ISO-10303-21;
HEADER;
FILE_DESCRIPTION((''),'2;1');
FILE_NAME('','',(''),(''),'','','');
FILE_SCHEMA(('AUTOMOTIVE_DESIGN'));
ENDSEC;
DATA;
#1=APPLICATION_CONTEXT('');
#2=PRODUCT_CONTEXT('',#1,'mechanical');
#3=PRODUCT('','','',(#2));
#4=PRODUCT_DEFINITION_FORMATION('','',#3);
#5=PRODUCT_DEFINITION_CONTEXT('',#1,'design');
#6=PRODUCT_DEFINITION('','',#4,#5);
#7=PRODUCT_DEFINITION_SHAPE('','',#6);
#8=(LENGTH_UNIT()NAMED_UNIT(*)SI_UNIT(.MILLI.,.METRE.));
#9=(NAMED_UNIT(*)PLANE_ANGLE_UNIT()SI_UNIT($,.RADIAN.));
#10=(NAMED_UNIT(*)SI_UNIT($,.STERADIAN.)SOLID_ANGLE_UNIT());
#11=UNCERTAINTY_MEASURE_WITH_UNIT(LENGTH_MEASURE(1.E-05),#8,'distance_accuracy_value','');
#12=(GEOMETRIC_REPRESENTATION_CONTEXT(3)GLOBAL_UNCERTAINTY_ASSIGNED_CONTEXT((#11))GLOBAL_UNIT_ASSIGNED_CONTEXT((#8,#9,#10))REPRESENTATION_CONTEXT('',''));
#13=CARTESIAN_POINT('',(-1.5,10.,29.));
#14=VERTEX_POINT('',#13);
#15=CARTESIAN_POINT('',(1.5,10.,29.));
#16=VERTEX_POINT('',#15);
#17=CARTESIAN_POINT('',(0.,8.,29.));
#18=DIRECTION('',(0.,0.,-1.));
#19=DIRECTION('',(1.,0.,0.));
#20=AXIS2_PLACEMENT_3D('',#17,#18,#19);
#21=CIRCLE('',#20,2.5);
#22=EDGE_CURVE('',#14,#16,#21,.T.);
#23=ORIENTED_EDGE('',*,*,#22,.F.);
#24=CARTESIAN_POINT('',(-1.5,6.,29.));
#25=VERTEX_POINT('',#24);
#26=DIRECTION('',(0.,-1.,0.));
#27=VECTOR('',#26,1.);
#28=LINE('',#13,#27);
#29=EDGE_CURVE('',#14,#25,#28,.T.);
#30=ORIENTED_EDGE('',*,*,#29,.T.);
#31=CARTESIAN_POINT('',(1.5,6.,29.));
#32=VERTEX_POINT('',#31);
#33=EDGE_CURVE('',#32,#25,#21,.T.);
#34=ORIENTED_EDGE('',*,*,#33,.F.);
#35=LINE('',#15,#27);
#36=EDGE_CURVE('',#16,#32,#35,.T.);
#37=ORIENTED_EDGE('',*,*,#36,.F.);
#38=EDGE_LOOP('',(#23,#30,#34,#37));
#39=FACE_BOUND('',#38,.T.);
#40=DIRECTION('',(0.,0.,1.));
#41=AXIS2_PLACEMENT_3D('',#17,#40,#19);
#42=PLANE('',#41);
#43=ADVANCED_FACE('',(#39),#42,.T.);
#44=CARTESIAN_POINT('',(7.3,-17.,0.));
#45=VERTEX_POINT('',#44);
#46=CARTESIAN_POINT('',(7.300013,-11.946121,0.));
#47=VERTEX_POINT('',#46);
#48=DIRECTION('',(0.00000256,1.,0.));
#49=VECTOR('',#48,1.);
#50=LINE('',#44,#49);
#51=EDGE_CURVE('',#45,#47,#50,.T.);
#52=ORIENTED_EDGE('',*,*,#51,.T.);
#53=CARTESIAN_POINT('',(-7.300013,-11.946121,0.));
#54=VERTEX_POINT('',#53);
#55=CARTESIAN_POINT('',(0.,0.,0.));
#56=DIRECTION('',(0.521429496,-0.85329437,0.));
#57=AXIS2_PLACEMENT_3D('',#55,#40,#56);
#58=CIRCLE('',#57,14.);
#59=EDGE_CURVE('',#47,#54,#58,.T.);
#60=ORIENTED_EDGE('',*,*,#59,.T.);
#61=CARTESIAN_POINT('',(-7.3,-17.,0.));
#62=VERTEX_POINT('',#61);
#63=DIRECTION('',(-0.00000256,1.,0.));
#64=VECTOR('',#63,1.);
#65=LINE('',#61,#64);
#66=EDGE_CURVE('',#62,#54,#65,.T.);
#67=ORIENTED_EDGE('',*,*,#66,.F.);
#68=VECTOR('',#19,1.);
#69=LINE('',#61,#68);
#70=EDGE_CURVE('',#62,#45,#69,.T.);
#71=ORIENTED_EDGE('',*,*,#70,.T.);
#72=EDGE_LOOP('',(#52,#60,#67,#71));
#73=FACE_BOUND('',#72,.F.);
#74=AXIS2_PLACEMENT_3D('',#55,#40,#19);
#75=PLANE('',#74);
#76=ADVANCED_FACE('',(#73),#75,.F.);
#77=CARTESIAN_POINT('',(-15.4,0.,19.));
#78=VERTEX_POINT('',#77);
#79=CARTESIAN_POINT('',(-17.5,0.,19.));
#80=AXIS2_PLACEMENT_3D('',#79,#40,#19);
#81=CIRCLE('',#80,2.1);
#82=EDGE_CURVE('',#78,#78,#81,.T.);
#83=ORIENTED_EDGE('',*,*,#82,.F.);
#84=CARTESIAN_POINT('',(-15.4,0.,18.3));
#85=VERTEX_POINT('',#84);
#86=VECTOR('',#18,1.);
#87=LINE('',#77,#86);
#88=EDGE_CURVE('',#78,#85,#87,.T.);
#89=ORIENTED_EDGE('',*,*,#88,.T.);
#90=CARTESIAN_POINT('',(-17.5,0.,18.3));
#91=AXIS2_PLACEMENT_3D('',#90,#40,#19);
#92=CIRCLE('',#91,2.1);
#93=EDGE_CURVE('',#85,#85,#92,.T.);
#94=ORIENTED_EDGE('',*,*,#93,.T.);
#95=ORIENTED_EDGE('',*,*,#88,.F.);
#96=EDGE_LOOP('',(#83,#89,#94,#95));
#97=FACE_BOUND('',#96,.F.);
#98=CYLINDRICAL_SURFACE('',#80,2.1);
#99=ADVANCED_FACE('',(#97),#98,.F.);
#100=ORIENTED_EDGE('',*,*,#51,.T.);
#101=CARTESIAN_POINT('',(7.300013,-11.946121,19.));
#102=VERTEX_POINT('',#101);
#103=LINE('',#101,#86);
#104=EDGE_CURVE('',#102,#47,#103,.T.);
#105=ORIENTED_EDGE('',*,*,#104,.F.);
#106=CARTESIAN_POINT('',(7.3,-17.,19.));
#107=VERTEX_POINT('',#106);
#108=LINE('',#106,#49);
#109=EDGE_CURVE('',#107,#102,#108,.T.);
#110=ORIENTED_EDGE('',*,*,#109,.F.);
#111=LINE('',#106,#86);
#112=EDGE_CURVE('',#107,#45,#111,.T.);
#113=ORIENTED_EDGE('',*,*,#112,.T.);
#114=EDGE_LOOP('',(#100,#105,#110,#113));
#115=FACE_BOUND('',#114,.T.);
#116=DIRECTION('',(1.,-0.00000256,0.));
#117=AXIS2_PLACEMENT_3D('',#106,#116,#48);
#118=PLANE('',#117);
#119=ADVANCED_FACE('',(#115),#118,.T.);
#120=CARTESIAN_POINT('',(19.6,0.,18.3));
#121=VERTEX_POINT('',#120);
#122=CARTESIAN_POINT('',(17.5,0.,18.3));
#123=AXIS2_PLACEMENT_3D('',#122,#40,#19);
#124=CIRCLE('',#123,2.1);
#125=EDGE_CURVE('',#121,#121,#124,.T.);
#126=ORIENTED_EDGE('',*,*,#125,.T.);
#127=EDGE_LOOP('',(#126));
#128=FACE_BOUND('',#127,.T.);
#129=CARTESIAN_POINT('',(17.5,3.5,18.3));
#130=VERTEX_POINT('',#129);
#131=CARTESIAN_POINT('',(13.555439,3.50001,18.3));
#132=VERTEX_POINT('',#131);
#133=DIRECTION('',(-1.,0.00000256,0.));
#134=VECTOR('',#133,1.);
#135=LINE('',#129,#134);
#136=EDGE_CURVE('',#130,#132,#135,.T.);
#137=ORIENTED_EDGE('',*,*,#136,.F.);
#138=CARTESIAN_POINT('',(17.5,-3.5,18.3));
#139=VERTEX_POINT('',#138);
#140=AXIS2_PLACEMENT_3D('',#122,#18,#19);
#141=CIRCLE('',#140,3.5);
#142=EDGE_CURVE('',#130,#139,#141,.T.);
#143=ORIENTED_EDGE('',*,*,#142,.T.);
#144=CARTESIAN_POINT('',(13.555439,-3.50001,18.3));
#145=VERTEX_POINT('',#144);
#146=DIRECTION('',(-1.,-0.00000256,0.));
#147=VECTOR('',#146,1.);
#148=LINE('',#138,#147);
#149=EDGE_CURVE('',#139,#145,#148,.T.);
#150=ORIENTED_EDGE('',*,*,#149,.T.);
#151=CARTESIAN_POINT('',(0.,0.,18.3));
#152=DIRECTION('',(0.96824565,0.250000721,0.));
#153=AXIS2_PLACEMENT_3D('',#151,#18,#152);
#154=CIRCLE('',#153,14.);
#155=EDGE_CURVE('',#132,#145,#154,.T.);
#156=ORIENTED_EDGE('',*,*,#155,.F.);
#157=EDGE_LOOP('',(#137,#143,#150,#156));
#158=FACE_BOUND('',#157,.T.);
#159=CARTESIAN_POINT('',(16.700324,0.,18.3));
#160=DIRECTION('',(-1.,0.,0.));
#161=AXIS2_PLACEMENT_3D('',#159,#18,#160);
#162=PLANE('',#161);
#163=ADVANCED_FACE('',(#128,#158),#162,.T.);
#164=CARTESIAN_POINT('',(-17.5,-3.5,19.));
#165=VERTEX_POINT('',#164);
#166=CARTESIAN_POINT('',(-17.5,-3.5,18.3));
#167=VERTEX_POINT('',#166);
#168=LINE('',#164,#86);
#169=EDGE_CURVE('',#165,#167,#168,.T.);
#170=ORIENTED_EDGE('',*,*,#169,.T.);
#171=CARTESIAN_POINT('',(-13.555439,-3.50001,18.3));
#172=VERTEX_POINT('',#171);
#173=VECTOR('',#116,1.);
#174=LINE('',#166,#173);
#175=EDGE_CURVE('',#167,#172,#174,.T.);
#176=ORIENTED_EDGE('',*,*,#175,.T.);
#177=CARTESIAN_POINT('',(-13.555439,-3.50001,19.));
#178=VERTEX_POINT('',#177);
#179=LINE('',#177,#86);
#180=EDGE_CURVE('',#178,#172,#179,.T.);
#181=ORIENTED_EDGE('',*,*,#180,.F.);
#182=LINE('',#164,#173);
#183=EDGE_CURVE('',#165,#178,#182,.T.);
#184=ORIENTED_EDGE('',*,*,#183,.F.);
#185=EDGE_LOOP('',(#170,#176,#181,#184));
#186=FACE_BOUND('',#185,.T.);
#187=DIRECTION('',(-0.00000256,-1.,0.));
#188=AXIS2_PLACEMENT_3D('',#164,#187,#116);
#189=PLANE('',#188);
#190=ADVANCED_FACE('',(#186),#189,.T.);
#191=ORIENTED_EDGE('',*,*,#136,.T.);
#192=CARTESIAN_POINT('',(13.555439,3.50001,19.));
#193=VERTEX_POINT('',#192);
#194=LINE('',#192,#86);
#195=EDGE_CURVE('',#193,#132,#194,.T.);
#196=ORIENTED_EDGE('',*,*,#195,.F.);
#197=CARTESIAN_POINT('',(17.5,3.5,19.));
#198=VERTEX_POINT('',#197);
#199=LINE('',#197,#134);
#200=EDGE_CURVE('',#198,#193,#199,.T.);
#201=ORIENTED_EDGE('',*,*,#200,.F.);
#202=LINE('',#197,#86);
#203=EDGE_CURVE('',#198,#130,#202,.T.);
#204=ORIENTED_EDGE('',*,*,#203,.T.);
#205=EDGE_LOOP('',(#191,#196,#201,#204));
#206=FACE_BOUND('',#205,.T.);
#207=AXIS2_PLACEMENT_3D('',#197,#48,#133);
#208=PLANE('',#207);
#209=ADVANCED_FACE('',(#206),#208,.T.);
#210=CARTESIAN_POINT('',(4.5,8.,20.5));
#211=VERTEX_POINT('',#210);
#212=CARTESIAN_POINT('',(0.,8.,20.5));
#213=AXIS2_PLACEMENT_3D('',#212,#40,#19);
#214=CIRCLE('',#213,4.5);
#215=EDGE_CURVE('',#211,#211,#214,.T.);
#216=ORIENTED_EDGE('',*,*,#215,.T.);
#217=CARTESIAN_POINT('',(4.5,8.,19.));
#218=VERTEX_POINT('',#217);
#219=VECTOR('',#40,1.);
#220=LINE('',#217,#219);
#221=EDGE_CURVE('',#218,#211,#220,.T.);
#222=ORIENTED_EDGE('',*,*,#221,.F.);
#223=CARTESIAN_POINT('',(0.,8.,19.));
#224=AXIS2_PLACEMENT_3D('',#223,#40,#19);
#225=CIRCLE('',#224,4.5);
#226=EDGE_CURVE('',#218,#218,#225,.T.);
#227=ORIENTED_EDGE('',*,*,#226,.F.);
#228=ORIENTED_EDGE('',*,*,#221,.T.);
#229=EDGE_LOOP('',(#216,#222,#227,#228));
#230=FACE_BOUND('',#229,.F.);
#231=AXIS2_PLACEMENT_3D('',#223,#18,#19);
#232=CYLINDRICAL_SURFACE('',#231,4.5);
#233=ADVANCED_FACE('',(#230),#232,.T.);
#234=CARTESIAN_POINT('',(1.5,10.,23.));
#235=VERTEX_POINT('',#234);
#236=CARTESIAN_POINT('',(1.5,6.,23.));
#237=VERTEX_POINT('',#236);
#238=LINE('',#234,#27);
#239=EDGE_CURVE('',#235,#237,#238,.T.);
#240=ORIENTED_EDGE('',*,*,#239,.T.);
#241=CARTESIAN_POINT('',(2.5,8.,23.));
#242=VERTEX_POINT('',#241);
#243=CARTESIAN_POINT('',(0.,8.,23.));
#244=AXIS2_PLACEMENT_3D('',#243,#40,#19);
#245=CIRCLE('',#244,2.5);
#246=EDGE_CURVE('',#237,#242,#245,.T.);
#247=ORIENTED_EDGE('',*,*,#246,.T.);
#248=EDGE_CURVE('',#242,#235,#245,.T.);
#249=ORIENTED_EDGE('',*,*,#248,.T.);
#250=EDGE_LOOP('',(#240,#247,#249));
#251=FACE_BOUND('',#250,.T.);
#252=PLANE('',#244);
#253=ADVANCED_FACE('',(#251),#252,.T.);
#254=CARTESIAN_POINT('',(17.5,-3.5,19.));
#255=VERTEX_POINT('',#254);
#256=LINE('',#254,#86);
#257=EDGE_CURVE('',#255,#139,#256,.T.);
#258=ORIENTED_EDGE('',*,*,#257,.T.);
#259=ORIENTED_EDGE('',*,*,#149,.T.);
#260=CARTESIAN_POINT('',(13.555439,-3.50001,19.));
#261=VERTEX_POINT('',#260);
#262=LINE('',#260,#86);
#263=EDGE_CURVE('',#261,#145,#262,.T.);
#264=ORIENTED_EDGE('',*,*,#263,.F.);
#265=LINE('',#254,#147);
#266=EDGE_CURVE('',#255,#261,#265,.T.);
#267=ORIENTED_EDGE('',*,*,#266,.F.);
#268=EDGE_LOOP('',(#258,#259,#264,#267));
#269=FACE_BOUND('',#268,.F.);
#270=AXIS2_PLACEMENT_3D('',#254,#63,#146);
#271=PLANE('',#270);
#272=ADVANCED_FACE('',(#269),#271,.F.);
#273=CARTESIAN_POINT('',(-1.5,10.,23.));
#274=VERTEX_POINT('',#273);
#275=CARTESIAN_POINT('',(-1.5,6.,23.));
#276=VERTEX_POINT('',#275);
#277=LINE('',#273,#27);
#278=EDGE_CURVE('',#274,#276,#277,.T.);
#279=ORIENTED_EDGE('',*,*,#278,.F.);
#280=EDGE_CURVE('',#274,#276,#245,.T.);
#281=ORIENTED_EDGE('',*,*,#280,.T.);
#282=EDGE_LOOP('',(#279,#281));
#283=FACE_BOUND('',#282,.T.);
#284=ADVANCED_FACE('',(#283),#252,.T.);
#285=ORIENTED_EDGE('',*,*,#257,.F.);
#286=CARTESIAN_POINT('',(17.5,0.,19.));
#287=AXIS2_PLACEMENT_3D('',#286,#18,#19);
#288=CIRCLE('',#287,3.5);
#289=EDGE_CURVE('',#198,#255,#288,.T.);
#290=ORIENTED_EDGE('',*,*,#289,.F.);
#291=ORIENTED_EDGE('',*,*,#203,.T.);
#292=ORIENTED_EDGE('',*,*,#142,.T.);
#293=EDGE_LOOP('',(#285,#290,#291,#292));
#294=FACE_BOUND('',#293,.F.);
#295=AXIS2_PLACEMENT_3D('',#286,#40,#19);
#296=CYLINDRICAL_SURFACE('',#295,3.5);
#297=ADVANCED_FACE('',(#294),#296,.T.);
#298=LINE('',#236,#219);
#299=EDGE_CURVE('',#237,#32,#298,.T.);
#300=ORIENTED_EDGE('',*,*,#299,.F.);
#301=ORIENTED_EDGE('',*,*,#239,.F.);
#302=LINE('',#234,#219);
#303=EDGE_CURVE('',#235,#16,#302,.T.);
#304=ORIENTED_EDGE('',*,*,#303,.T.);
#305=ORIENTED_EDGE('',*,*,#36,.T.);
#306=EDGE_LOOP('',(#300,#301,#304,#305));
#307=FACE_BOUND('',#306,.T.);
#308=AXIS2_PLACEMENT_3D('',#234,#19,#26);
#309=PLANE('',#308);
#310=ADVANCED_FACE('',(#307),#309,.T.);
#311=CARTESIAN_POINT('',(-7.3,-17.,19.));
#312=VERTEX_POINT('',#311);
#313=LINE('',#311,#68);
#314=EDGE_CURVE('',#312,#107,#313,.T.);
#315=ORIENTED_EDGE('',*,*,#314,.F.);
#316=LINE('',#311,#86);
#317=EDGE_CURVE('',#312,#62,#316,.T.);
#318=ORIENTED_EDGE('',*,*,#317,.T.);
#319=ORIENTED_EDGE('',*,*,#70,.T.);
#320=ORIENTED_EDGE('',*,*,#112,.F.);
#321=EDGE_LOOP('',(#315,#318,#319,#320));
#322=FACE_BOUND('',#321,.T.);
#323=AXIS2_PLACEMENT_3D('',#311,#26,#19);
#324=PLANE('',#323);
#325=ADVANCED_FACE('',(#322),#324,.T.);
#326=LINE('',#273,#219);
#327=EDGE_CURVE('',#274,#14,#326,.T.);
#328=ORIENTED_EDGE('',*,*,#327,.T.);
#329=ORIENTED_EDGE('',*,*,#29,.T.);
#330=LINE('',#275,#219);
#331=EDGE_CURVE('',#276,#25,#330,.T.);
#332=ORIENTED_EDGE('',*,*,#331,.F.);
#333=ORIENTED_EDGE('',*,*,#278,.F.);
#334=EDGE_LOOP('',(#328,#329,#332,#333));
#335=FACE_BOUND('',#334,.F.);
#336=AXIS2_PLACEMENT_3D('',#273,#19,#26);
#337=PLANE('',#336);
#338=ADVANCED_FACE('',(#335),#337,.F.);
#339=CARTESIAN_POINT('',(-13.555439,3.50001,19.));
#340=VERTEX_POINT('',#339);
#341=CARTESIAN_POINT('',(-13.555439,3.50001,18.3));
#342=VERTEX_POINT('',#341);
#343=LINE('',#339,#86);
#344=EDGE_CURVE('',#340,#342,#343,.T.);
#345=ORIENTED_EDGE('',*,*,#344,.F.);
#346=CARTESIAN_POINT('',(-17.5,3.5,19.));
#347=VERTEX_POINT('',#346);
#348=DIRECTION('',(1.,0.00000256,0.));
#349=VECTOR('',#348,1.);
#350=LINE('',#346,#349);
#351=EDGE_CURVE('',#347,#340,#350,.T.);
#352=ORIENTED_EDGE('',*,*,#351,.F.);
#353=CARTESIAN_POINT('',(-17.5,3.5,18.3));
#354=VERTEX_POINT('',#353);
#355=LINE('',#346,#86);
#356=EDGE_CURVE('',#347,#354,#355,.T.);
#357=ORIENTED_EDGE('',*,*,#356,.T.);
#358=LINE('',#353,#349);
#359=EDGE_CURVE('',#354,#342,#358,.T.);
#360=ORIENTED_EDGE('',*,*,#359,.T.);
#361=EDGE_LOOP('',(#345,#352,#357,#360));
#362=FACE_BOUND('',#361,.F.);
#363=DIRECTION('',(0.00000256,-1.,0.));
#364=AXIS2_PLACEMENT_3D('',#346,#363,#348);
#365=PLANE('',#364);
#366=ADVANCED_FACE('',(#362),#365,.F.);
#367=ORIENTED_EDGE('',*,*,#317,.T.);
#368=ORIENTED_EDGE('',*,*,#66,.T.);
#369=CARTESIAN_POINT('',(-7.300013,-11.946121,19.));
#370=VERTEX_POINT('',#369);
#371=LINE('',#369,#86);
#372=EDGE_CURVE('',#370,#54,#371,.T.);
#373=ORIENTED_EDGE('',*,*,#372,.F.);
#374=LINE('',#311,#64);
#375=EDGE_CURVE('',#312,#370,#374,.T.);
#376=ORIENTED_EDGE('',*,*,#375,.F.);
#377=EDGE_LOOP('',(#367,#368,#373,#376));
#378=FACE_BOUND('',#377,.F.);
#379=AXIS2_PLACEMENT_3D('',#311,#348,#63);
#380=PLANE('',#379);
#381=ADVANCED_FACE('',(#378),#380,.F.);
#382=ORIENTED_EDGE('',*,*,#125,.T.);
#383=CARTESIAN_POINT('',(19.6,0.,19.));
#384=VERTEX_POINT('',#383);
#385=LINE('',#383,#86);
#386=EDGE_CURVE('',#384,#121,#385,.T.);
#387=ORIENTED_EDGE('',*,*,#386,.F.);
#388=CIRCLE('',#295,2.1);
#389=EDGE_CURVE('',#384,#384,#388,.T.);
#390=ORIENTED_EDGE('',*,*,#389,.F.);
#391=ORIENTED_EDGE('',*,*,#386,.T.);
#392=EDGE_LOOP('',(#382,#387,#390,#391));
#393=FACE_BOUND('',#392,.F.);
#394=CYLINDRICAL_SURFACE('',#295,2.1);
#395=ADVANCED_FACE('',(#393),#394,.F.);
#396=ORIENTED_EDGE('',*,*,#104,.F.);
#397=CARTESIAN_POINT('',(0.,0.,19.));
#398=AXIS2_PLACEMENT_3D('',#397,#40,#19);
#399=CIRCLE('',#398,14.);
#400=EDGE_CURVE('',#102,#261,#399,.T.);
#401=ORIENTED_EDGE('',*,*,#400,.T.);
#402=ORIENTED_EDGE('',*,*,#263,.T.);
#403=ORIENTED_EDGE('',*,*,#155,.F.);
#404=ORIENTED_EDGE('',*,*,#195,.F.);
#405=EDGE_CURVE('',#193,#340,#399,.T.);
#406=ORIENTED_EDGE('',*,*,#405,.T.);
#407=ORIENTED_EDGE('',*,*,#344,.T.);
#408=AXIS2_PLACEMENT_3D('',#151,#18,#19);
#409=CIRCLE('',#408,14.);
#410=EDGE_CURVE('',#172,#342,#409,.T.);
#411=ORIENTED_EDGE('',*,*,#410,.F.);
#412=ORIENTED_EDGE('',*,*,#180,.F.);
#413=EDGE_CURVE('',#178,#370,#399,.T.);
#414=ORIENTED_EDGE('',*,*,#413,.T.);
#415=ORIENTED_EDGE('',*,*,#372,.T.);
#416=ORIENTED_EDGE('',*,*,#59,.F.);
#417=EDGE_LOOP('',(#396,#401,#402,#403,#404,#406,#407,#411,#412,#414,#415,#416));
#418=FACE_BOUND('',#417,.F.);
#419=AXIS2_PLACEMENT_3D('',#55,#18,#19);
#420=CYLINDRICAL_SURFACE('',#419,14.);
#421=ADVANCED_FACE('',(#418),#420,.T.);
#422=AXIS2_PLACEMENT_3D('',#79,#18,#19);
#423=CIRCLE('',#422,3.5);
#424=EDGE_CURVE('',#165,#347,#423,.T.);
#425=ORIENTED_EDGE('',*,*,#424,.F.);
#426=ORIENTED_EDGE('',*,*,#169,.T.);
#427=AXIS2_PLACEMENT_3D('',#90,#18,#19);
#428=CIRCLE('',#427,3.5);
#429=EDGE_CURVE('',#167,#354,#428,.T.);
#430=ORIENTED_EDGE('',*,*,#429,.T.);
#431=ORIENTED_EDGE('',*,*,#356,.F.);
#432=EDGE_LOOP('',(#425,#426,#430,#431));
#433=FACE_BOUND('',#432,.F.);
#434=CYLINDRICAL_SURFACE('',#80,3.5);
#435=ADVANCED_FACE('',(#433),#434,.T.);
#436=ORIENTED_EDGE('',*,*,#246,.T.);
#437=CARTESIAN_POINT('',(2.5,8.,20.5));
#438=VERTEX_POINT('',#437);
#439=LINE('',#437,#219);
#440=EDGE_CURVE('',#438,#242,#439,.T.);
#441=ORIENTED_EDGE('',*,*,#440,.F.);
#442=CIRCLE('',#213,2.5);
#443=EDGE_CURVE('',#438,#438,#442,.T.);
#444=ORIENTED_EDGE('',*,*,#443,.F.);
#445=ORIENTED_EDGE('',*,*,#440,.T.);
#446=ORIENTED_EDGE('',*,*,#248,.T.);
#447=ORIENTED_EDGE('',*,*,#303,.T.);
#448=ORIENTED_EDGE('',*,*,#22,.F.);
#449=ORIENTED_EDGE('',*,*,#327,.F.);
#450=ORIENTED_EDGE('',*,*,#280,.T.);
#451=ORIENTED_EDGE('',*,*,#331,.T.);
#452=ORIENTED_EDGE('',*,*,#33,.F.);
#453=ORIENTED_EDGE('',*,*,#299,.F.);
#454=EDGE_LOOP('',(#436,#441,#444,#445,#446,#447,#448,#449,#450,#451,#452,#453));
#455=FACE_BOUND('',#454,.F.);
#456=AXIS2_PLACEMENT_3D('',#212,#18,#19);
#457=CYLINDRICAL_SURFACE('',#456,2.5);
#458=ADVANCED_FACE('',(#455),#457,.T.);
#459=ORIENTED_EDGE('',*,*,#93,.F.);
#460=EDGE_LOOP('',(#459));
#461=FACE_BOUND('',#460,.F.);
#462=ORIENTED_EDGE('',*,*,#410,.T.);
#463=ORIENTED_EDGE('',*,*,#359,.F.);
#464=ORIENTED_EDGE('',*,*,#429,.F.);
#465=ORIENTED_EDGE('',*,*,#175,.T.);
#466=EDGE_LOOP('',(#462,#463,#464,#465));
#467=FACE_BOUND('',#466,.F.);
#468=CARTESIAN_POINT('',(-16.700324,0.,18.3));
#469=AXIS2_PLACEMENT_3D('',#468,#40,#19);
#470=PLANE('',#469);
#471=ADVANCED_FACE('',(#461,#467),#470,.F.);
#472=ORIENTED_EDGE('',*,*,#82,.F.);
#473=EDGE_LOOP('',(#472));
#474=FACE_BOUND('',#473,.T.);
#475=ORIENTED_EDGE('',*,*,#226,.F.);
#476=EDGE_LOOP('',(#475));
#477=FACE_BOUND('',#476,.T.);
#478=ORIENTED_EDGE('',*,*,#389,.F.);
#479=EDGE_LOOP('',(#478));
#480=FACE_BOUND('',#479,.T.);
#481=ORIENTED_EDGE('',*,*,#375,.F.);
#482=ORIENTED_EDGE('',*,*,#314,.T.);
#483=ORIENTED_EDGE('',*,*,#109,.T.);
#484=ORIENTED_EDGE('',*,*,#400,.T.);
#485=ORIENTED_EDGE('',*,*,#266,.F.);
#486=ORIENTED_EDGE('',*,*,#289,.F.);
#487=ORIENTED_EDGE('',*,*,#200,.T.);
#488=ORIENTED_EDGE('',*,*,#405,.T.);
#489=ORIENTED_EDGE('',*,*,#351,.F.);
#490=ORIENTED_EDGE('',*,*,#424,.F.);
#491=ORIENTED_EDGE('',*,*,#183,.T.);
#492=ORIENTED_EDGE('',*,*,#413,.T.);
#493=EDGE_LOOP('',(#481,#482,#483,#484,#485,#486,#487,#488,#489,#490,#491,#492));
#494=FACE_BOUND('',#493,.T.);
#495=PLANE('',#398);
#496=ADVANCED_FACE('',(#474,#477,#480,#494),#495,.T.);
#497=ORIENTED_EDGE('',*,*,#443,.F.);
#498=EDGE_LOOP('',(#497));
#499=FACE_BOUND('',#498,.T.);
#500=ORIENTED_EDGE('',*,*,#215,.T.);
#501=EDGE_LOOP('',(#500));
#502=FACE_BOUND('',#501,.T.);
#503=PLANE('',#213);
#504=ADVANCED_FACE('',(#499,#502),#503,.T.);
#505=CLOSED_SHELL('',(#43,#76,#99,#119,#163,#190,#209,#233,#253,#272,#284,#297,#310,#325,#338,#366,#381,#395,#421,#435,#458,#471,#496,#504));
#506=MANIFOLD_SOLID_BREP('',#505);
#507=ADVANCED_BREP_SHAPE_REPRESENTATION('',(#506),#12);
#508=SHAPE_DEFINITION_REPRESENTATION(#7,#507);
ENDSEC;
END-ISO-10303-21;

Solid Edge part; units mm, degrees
sketch "Sketch1" plane through (0, 0, 0) normal (0, 0, 1) x (1, 0, 0)
  circle A0 centre (0, 0) radius 14
extrude "Protrusion1" add sketch "Sketch1" along normal blind 19
sketch "Sketch2" plane through (0, 0, 19) normal (0, 0, 1) x (1, 0, 0)
  line L0 (-17.5, -3.5) -> (-13.5554, -3.5)
  arc A0 (-13.5554, -3.5) -> (-13.5554, 3.5) centre (0, 0) cw
  line L1 (-17.5, 3.5) -> (-13.5554, 3.5)
  arc A1 (-17.5, -3.5) -> (-17.5, 3.5) centre (-17.5, 0) cw
  circle A2 centre (-17.5, 0) radius 2.1
  circle A3 centre (17.5, 0) radius 2.1
  line L2 (17.5, -3.5) -> (13.5554, -3.5)
  line L3 (17.5, 3.5) -> (13.5554, 3.5)
  arc A4 (17.5, 3.5) -> (17.5, -3.5) centre (17.5, 0) cw
  arc A5 (13.5554, 3.5) -> (13.5554, -3.5) centre (0, 0) cw
extrude "ExtrudedProtrusion_2" add sketch "Sketch2" against normal blind 0.7
sketch "Sketch3" plane through (0, 0, 19) normal (0, 0, 1) x (1, 0, 0)
  circle A0 centre (0, 8) radius 4.5
extrude "ExtrudedProtrusion_3" add sketch "Sketch3" along normal blind 1.5
sketch "Sketch4" plane through (0, 8, 20.5) normal (0, 0, 1) x (1, 0, 0)
  circle A0 centre (0, 0) radius 2.5
extrude "ExtrudedProtrusion_4" add sketch "Sketch4" along normal blind 2.5
sketch "Sketch5" plane through (0, 8, 23) normal (0, 0, 1) x (1, 0, 0)
  line L0 (-1.5, 2) -> (-1.5, -2)
  line L1 (1.5, 2) -> (1.5, -2)
  arc A0 (-1.5, 2) -> (1.5, 2) centre (0, 0) cw
  arc A1 (1.5, -2) -> (-1.5, -2) centre (0, 0) cw
extrude "ExtrudedProtrusion_5" add sketch "Sketch5" along normal blind 6
sketch "Sketch6" plane through (0, 0, 19) normal (0, 0, 1) x (1, 0, 0)
  line L0 (-7.3, -17) -> (7.3, -17)
  line L1 (7.3, -17) -> (7.3, -11.9461)
  line L2 (-7.3, -17) -> (-7.3, -11.9461)
  arc A0 (7.3, -11.9461) -> (-7.3, -11.9461) centre (0, 0) cw
extrude "Protrusion2" add sketch "Sketch6" against normal up to vertex (19 mm away)
